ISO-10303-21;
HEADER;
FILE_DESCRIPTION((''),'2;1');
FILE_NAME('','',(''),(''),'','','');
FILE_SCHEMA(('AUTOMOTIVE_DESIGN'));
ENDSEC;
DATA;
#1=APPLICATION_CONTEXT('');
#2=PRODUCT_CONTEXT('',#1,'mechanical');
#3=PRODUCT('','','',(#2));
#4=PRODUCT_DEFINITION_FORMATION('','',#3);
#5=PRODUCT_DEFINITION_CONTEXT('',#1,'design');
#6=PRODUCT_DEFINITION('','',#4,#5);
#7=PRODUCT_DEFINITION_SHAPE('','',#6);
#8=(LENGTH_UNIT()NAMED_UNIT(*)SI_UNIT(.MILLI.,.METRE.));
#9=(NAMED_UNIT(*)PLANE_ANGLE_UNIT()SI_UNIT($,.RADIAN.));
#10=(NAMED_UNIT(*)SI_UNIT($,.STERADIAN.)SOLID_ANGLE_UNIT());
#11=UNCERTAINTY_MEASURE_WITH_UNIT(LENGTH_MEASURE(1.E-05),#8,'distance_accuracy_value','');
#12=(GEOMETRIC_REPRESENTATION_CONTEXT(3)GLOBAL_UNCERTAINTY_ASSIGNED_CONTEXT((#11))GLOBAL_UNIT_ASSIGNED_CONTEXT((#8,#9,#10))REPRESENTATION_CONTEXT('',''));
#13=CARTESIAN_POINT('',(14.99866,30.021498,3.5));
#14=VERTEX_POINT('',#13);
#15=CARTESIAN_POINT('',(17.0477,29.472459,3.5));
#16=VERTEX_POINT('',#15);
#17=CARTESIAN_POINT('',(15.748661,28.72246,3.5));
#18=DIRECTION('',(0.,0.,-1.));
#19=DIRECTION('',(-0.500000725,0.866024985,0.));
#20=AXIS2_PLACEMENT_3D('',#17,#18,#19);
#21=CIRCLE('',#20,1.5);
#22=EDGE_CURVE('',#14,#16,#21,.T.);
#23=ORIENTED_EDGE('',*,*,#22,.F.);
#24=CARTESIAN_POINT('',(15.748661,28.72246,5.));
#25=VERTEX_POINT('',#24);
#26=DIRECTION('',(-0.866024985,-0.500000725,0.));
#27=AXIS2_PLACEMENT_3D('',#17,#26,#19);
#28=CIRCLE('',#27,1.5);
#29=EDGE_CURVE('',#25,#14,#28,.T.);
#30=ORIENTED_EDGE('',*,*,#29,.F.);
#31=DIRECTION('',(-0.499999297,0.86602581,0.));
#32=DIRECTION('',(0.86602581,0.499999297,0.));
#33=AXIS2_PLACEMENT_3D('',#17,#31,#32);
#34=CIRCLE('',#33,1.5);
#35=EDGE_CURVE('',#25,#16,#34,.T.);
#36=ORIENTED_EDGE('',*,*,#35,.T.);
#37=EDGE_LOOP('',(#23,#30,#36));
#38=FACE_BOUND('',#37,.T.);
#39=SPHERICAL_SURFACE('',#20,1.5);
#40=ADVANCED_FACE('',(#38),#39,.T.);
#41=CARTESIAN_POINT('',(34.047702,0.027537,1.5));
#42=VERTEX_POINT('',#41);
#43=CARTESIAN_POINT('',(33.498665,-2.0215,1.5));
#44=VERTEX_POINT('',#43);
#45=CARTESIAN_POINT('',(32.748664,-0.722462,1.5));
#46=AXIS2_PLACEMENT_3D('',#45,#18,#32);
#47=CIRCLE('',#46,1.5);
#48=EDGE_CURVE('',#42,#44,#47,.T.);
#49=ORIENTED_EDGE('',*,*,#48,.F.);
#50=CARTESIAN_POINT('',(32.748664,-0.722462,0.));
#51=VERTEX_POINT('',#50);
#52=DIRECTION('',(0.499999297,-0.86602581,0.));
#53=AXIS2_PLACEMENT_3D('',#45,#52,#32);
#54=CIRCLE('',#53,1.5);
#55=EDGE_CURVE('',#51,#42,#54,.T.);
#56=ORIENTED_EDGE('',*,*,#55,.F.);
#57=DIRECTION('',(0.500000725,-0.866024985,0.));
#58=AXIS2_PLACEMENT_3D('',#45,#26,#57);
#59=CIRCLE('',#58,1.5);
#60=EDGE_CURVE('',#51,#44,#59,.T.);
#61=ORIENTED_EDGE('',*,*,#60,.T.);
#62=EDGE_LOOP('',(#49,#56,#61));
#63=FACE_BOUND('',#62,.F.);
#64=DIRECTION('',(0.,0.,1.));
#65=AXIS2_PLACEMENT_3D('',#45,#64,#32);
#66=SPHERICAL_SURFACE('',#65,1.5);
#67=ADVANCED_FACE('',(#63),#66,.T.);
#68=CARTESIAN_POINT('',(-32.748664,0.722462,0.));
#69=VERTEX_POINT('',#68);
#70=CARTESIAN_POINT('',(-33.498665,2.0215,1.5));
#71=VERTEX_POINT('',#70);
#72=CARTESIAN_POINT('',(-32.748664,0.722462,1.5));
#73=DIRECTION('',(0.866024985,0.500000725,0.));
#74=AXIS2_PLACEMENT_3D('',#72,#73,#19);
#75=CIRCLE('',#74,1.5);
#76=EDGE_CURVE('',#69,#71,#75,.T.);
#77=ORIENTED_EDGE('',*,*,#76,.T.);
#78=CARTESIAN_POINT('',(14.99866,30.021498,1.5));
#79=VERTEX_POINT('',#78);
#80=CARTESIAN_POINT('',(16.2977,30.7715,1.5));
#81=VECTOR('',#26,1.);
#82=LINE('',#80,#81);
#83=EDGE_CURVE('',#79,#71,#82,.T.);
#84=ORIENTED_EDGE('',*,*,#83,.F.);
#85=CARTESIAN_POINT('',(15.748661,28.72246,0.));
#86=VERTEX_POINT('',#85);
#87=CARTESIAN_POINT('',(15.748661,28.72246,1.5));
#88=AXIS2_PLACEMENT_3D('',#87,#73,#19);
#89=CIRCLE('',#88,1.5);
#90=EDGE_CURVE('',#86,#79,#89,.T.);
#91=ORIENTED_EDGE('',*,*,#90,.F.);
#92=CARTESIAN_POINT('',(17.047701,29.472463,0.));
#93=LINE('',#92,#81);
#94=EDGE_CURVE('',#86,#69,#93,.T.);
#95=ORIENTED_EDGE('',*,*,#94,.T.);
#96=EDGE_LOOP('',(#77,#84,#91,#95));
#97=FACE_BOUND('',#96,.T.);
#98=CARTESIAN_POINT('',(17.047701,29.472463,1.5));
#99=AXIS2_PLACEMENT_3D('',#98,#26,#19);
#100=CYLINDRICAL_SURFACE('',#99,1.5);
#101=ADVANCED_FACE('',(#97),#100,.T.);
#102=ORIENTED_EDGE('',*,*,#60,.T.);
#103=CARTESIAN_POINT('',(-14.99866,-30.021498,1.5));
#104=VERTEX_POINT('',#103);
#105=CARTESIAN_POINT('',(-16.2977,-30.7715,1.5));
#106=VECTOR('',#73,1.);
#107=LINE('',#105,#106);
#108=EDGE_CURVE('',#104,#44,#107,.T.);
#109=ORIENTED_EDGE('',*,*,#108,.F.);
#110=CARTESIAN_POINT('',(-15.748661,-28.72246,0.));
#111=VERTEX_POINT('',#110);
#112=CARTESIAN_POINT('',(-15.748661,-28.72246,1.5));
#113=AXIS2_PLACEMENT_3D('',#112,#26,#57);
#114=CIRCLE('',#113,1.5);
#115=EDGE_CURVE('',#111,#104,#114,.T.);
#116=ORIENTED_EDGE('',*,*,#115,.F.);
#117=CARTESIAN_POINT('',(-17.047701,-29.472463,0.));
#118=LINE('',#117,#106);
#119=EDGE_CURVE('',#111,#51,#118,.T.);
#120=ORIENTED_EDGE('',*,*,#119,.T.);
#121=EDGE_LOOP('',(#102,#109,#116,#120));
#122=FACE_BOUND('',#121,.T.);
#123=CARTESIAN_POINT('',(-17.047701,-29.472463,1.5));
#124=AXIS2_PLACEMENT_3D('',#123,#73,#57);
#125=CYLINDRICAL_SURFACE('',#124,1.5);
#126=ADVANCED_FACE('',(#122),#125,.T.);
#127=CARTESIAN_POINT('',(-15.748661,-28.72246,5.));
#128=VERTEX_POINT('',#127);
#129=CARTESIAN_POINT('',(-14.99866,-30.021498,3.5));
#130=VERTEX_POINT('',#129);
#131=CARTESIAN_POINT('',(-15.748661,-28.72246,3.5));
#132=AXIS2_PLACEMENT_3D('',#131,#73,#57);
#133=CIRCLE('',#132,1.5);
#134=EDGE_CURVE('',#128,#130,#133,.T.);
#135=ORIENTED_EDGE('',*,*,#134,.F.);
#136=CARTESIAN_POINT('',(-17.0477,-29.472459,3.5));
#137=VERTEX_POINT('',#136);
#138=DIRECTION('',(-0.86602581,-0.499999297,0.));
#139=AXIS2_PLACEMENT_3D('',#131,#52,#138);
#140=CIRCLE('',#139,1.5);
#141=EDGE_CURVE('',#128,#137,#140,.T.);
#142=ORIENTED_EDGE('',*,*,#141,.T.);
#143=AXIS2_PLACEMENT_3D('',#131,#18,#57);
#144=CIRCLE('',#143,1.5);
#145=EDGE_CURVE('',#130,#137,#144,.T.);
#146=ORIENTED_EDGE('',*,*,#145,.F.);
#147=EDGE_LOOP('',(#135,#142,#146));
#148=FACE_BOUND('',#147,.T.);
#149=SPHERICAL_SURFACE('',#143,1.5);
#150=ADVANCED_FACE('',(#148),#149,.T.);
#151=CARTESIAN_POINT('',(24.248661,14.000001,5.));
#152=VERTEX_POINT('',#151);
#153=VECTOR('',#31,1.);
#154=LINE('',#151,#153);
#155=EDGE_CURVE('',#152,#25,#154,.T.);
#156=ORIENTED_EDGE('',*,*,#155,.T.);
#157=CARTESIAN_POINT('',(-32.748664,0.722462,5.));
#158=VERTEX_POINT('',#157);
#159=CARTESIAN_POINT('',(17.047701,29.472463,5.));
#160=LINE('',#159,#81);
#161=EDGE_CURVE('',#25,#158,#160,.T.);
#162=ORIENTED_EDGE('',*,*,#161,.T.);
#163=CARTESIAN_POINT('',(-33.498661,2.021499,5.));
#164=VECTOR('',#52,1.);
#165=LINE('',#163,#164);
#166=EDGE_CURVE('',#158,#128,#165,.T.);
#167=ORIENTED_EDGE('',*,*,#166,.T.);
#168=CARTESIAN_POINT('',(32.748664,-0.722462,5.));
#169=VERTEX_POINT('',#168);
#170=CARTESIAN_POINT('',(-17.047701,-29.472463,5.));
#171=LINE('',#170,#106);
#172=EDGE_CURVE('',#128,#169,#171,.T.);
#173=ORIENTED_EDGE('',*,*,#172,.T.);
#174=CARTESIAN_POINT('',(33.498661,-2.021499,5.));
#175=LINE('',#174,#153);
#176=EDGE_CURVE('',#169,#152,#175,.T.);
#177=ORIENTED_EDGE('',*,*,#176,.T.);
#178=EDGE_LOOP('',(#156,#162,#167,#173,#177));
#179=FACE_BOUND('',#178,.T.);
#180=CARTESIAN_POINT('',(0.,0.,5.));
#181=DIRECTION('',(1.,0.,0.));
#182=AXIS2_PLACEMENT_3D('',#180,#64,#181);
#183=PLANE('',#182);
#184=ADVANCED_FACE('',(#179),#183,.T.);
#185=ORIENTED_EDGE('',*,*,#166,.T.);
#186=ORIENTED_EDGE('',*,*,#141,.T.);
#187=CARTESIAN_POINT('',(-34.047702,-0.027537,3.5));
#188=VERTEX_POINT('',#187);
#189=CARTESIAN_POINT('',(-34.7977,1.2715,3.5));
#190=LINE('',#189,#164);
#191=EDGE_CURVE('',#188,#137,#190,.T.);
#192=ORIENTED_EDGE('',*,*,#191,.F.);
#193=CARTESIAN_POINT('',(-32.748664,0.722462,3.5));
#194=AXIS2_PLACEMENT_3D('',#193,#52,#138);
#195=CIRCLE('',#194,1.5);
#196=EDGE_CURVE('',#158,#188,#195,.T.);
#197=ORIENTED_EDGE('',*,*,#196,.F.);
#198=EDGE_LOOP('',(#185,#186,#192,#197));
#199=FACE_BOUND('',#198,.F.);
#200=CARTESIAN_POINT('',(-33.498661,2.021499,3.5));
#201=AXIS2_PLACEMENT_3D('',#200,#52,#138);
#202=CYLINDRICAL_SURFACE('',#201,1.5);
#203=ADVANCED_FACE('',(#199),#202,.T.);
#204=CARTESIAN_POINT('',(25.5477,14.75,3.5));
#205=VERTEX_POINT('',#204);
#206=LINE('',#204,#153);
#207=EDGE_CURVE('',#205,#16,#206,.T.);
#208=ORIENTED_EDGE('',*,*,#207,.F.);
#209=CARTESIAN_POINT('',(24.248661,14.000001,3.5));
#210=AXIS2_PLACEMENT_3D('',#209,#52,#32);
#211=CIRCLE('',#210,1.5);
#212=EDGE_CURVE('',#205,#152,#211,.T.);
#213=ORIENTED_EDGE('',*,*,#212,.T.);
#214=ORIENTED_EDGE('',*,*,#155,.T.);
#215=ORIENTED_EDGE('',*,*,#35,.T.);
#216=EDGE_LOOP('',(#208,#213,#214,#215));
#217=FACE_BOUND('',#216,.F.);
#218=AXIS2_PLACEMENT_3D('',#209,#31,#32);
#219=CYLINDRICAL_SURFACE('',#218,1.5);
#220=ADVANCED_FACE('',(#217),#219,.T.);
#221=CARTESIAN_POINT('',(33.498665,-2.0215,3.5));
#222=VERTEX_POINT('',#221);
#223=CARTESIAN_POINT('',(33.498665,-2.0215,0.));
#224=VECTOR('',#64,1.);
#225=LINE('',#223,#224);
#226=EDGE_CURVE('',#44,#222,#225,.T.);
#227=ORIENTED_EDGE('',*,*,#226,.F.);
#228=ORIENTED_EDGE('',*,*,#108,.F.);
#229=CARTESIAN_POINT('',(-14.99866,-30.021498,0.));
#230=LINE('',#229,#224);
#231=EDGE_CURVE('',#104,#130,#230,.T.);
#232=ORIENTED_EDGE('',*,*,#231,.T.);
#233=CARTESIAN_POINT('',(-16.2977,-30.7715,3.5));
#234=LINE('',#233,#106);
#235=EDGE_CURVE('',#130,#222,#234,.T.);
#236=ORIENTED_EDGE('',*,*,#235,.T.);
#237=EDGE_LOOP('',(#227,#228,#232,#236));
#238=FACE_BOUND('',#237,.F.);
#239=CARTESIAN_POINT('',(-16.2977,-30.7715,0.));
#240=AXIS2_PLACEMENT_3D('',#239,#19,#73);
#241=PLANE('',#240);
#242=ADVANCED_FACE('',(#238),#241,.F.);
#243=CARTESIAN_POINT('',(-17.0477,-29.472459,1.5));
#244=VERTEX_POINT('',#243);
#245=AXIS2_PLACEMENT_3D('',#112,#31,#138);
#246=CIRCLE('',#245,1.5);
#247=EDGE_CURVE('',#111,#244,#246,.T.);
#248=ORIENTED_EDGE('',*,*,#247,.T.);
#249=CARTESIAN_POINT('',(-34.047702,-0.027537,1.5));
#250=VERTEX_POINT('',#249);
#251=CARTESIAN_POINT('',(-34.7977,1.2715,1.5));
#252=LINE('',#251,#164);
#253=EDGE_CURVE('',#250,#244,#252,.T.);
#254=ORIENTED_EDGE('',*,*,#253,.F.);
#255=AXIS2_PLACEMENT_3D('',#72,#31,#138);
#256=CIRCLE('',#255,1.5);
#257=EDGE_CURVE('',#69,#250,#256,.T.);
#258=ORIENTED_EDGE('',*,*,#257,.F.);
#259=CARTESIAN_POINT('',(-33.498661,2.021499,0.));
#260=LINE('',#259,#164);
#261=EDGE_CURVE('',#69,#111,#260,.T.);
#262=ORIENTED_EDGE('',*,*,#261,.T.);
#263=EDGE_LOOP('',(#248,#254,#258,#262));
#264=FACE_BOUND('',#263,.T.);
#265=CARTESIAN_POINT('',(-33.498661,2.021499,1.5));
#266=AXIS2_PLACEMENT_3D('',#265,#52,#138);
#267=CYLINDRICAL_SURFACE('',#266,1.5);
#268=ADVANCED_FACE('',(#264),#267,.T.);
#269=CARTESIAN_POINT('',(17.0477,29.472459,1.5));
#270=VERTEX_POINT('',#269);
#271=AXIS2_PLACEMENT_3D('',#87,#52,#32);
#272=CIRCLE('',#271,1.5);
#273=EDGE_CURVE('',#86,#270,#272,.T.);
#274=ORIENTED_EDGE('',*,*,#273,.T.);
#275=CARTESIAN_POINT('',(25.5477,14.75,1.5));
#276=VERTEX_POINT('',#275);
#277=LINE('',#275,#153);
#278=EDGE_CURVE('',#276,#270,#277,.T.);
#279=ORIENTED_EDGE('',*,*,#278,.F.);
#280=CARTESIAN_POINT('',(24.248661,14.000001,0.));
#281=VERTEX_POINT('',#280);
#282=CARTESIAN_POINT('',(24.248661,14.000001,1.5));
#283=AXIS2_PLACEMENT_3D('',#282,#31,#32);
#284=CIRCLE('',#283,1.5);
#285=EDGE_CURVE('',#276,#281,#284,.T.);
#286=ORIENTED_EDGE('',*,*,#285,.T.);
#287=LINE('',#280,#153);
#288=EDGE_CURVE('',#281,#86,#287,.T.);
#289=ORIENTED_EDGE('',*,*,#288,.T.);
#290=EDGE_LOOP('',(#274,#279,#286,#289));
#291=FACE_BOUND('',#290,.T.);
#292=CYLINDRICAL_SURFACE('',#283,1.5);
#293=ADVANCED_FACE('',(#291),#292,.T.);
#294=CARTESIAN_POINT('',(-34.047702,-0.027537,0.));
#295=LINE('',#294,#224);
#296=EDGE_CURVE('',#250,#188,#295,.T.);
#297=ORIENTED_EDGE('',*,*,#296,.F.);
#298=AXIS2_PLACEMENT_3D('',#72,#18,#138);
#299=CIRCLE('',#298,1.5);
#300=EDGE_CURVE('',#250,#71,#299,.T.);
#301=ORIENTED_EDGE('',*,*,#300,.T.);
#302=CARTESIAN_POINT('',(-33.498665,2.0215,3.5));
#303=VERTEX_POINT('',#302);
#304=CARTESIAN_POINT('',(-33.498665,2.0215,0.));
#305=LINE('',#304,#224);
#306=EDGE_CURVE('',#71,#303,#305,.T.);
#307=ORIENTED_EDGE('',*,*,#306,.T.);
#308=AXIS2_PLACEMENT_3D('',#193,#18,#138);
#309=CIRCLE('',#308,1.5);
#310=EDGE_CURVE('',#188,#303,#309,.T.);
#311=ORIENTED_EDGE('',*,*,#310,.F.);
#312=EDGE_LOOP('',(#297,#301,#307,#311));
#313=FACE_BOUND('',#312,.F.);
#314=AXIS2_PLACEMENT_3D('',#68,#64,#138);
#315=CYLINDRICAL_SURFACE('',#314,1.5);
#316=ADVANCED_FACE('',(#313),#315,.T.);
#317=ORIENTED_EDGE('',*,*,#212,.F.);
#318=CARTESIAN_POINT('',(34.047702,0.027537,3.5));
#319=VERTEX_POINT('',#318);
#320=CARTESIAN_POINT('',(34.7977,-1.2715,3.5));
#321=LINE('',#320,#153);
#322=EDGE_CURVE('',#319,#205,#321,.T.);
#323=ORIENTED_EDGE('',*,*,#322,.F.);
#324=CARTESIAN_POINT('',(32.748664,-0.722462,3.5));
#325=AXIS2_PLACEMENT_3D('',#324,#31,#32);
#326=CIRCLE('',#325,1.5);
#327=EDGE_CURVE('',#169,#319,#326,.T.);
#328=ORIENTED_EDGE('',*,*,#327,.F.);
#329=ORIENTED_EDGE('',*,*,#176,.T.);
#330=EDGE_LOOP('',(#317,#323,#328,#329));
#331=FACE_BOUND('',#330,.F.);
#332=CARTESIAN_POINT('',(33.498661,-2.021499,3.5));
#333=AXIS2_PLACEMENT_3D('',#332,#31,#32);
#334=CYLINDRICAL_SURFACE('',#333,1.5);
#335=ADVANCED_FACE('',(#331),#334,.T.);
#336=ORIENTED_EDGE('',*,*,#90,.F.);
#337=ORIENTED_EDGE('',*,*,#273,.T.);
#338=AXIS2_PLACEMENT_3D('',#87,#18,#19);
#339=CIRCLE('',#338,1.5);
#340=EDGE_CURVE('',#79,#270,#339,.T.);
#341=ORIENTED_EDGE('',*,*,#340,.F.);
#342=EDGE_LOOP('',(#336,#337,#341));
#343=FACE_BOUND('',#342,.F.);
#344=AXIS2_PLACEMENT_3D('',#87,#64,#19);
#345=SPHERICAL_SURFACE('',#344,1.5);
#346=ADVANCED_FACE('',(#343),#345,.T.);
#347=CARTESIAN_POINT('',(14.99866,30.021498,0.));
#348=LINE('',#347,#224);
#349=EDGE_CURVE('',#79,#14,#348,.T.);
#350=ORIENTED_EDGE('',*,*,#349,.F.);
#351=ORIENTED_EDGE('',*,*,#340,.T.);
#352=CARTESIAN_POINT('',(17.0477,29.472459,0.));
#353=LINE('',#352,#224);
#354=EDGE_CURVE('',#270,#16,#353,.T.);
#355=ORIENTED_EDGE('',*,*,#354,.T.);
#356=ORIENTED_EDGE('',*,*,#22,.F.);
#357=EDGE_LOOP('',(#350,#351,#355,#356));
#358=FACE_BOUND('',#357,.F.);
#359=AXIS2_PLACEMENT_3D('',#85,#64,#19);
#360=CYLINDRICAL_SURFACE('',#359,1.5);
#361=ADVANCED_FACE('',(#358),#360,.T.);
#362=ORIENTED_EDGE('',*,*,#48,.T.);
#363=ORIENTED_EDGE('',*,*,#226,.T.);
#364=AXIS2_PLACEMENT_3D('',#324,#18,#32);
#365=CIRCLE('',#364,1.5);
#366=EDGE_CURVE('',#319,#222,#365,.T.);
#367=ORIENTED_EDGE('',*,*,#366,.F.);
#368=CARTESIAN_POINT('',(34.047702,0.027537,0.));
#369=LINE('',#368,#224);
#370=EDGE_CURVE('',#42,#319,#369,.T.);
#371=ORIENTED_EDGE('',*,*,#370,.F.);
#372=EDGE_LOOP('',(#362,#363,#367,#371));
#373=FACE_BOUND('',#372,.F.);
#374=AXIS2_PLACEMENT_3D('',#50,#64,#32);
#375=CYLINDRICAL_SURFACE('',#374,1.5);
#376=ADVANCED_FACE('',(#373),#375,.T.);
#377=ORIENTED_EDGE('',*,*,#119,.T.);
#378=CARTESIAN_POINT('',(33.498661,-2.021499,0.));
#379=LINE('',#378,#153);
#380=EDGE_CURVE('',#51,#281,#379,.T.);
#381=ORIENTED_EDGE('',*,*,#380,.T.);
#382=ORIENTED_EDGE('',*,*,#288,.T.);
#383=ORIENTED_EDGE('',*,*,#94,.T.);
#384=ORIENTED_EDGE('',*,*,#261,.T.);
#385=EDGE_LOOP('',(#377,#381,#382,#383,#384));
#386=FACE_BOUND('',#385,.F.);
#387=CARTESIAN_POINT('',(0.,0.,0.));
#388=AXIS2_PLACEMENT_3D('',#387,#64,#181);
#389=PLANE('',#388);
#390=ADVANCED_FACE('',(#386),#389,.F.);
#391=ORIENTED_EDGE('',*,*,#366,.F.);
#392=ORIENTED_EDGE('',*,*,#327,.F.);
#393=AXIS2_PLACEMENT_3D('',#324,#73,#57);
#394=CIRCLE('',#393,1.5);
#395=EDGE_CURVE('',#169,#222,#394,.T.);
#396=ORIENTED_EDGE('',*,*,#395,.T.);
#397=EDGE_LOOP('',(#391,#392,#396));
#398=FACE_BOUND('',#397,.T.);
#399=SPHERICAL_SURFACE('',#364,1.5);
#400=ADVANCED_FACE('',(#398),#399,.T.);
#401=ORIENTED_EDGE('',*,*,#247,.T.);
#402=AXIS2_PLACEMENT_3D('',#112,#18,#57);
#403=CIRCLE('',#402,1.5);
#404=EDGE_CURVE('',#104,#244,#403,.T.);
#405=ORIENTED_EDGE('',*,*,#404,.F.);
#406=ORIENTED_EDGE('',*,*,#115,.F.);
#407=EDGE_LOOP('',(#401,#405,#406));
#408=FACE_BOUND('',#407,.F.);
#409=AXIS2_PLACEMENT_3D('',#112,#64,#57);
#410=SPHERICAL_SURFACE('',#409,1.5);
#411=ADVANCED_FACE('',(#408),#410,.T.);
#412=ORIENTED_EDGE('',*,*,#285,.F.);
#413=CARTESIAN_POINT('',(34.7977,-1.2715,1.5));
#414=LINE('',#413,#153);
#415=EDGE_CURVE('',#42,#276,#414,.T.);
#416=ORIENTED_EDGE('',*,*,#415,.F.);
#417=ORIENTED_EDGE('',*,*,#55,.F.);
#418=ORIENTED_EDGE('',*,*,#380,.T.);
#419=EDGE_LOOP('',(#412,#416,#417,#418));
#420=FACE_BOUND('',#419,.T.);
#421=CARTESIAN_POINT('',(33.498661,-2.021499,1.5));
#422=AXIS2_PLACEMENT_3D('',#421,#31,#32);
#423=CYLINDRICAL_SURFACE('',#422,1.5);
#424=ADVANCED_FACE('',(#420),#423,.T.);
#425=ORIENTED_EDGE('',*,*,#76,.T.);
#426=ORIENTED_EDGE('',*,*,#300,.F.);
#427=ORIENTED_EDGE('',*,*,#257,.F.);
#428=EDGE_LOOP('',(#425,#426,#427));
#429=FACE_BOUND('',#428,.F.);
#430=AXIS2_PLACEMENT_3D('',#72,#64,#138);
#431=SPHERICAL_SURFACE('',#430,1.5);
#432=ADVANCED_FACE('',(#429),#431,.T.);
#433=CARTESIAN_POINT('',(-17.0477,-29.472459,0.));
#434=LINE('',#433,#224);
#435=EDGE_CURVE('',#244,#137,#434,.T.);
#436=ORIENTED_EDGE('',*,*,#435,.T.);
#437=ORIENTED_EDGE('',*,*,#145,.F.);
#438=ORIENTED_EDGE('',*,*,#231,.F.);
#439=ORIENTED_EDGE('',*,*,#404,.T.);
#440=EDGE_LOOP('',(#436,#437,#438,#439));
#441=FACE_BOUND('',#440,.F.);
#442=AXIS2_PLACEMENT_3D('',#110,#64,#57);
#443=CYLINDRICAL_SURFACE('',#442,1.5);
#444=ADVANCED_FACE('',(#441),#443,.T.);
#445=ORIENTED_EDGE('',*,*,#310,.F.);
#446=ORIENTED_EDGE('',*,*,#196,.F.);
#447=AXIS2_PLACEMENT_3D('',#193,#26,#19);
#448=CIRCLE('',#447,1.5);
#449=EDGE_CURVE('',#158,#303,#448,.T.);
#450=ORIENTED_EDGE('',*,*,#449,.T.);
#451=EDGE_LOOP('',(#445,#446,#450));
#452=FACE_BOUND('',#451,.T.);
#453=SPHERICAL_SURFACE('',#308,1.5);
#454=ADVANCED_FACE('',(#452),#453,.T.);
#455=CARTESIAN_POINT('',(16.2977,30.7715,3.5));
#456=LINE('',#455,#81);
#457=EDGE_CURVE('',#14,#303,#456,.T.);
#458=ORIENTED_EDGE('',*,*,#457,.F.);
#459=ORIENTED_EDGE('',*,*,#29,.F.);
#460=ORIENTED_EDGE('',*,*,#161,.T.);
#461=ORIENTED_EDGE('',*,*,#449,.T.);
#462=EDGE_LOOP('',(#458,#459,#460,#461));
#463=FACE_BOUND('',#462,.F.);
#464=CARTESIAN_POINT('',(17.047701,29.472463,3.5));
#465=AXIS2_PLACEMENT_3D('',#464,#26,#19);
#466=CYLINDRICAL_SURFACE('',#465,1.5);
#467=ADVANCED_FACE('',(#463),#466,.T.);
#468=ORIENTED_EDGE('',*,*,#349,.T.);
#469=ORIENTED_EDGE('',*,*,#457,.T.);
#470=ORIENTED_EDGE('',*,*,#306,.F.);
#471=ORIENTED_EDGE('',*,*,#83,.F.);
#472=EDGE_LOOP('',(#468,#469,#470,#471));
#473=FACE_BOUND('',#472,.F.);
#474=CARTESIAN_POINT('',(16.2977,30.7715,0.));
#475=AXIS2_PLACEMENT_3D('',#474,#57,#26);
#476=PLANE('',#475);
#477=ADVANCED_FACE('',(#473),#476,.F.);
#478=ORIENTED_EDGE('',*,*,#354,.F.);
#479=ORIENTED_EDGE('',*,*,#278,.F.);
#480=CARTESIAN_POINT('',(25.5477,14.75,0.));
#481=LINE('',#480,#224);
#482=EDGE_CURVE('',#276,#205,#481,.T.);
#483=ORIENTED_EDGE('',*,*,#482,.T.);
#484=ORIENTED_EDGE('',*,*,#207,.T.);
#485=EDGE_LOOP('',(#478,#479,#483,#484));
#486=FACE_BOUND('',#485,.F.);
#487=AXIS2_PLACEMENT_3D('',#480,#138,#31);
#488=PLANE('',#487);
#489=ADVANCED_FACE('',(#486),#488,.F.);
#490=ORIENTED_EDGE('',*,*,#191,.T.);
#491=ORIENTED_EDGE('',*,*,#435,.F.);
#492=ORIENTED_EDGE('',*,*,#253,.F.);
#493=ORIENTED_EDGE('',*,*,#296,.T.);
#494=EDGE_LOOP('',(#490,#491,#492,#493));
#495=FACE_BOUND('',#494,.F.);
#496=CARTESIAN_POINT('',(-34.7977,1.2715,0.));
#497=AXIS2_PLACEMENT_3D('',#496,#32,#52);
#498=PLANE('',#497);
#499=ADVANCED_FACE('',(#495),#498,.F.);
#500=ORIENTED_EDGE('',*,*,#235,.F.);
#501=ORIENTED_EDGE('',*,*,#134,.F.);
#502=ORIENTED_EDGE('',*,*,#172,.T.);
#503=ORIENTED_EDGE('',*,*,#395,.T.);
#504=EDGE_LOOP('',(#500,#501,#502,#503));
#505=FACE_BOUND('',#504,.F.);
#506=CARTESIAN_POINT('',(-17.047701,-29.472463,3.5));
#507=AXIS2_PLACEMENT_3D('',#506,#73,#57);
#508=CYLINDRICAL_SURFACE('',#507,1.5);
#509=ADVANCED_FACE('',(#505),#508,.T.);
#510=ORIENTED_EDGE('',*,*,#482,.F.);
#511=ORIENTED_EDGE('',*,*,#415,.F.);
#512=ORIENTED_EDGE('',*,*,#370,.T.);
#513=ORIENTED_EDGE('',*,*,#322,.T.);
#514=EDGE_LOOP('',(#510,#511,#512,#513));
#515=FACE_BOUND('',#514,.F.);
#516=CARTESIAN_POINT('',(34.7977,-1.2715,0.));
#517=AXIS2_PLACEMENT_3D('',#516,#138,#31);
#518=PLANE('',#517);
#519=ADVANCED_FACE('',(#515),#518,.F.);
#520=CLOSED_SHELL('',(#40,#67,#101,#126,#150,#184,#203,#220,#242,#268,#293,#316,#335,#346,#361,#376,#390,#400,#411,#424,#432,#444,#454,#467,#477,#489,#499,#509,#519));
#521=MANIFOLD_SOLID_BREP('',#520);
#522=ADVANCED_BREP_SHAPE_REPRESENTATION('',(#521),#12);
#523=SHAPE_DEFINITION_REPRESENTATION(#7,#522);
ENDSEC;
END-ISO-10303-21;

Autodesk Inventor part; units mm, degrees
ref_plane "YZ Plane" through (0, 0, 0) normal (1, 0, 0) x (0, 1, 0)
ref_plane "XZ Plane" through (0, 0, 0) normal (0, 1, 0) x (-1, 0, 0)
ref_plane "XY Plane" through (0, 0, 0) normal (0, 0, 1) x (1, 0, 0)
sketch "Sketch1" plane through (0, 0, 0) normal (0, 0, 1) x (1, 0, 0)
  line L0 (0, 0) -> (25.5477, 14.75)
  line L1 (0, 0) -> (29.5, 0) construction
  line L2 (25.5477, 14.75) -> (16.2977, 30.7715)
  line L3 (-16.2977, -30.7715) -> (34.7977, -1.2715)
  line L4 (34.7977, -1.2715) -> (16.2977, 30.7715)
  line L5 (16.2977, 30.7715) -> (-34.7977, 1.2715)
  line L6 (-34.7977, 1.2715) -> (-16.2977, -30.7715)
  line L7 (-16.2977, -30.7715) -> (16.2977, 30.7715) construction
  line L8 (34.7977, -1.2715) -> (-34.7977, 1.2715) construction
  dimension "d0" = 29.5
  dimension "d1" = 30
  dimension "d2" = 18.5
extrude "Extrusion1" add sketch "Sketch1" along normal blind 5
fillet "Fillet1" radius 1.5 12 edges at (-9.25, 16.0215, 5) (-9.25, 16.0215, 0) (-34.7977, 1.2715, 2.5) (-25.5477, -14.75, 0) (-25.5477, -14.75, 5) (-16.2977, -30.7715, 2.5) (9.25, -16.0215, 5) (9.25, -16.0215, 0) (34.7977, -1.2715, 2.5) (20.9227, 22.7607, 0) (20.9227, 22.7607, 5) (16.2977, 30.7715, 2.5)
properties part number "503759"
